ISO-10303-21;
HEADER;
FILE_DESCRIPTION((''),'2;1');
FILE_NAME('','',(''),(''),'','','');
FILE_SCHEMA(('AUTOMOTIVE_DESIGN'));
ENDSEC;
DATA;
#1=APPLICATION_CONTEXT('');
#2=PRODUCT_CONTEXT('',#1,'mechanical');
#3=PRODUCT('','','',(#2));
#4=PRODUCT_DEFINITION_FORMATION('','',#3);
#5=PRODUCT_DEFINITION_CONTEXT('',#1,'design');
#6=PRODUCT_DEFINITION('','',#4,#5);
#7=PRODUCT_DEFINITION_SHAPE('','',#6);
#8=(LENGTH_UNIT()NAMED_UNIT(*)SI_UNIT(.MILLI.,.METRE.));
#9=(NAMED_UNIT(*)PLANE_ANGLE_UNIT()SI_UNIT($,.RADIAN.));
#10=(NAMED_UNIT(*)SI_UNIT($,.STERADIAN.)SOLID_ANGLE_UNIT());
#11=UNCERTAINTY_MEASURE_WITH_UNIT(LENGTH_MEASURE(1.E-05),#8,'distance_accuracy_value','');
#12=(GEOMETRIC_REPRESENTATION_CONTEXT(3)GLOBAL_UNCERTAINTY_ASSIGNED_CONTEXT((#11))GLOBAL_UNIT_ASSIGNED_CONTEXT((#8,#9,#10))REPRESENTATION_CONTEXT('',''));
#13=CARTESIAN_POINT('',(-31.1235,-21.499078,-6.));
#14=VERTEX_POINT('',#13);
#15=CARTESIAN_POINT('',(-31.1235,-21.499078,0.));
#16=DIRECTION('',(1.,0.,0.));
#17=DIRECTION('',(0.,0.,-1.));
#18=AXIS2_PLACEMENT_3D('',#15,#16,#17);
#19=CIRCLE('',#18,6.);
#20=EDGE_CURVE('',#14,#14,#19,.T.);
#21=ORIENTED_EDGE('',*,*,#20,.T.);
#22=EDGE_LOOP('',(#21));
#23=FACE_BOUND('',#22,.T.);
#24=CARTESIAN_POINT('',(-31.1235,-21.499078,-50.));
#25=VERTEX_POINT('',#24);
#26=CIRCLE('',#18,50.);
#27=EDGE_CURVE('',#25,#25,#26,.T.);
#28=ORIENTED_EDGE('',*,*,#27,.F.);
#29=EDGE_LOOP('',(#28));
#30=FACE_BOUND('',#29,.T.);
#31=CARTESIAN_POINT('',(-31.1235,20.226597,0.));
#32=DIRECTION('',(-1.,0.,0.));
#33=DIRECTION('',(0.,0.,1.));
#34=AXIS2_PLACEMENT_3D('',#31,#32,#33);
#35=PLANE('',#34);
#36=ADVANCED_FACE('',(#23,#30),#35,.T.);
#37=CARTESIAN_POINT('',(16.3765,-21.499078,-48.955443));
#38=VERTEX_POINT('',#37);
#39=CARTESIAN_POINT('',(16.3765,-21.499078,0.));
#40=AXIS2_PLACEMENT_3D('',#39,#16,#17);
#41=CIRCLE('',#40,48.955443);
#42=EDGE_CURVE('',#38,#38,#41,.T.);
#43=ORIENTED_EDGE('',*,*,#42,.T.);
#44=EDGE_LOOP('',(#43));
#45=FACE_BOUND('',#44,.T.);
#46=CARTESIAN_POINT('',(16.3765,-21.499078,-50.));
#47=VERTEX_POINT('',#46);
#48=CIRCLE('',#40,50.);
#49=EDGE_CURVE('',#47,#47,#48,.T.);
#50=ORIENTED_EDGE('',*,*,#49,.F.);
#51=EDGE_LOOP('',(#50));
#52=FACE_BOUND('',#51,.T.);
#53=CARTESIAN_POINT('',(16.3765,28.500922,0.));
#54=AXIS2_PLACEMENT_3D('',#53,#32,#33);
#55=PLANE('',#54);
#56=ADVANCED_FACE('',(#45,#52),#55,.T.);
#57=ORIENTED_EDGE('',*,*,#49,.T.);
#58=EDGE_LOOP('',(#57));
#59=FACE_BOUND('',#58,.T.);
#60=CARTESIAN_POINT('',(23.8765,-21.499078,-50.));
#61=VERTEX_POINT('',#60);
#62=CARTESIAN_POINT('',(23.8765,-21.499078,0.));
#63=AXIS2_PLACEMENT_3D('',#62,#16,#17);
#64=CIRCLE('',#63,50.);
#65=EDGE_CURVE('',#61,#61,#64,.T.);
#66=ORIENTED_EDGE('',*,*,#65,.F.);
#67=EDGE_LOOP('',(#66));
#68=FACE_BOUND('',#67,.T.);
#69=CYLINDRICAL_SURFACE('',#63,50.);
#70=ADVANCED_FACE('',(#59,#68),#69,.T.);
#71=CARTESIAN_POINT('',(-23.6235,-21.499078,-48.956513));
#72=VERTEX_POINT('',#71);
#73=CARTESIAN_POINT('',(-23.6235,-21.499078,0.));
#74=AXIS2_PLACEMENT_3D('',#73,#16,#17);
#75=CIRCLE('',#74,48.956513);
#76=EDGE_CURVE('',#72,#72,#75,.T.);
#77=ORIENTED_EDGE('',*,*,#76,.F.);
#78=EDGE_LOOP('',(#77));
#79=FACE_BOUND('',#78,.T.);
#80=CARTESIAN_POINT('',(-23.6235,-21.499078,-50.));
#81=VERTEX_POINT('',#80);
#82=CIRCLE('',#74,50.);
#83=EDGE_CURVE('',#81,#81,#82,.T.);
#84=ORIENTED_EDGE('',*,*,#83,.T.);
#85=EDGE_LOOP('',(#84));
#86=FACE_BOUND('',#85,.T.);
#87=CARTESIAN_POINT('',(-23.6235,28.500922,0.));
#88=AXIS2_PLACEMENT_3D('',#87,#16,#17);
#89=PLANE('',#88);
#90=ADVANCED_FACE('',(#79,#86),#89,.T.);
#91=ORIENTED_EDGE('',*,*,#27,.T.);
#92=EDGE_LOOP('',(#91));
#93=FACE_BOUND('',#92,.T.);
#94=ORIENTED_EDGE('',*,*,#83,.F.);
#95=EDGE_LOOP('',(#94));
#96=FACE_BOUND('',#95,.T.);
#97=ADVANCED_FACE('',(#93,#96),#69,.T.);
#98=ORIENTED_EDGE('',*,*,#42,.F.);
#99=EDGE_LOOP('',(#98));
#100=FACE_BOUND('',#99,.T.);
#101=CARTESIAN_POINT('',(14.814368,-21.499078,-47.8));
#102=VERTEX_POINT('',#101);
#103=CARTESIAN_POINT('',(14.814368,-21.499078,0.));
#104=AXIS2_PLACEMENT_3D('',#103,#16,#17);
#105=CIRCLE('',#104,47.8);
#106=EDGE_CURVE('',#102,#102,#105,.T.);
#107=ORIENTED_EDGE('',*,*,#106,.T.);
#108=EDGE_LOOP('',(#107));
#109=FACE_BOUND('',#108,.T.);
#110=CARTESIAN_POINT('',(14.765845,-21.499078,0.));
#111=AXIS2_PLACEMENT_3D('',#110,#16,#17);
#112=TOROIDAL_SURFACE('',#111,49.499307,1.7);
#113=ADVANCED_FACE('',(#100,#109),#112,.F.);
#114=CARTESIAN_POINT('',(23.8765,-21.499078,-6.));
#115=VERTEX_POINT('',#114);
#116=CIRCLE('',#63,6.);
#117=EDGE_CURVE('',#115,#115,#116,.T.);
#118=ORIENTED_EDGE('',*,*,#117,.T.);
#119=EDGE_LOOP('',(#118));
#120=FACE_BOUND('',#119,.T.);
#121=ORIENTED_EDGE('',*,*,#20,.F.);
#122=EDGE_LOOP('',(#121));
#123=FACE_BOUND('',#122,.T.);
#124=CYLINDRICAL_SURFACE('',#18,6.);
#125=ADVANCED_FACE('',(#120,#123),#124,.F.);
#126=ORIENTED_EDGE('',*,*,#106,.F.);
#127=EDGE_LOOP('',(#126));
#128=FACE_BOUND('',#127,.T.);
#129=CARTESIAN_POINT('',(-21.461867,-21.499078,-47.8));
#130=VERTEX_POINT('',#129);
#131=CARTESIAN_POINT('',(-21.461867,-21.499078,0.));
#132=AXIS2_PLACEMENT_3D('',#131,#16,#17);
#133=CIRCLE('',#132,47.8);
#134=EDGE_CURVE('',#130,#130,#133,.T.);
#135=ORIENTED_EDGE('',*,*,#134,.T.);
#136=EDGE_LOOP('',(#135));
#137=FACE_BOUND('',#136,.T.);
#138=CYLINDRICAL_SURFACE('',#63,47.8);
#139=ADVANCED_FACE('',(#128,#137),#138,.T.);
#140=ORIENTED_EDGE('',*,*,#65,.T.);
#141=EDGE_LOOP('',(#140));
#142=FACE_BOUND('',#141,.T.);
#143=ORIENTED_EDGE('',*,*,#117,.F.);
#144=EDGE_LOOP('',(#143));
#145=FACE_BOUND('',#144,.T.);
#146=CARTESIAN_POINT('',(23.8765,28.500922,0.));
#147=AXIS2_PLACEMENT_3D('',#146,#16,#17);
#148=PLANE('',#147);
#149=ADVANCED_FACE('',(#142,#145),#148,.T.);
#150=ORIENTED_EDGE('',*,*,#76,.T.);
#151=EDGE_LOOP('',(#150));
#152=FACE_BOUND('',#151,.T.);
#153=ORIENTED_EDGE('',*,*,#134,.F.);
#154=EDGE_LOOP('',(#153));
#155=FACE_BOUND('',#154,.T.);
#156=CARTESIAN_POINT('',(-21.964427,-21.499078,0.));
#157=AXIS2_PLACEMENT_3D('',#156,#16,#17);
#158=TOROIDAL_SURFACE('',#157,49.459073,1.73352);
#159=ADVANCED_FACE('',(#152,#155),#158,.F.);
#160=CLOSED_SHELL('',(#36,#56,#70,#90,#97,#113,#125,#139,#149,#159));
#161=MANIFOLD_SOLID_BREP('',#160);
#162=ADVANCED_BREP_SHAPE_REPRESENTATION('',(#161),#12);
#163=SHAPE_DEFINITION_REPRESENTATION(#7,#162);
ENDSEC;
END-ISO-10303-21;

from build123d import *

# Parameters (mm, degrees)
SKETCH3_R          = 6
CUT_EXTRUDE1_DEPTH = 104.136405777


with BuildPart() as part:
    # Sketch1 → Revolve1 (revolve)
    with BuildSketch(Plane.XY, mode=Mode.PRIVATE) as revolve1_sk:
        with BuildLine():
            Line((23.876500295, 28.500921708), (23.876500295, -21.499078292))
            Line((23.876500295, -21.499078292), (19.38343903, -21.499078292))
            Line((19.38343903, -21.499078292), (-23.623499705, -21.499078292))
            Line((-23.623499705, -21.499078292), (-31.123499705, -21.499078292))
            Line((-31.123499705, -21.499078292), (-31.123499705, 20.226597036))
            Line((-31.123499705, 20.226597036), (-31.123499705, 28.500921708))
            Line((-31.123499705, 28.500921708), (-23.623499705, 28.500921708))
            Line((-23.623499705, 28.500921708), (-23.623499705, 27.45743453))
            ThreePointArc((-23.623499705, 27.45743453), (-22.782204784, 26.431489238), (-21.461866567, 26.300921708))
            Line((-21.461866567, 26.300921708), (-3.623499705, 26.300921708))
            Line((-3.623499705, 26.300921708), (14.814368071, 26.300921708))
            ThreePointArc((14.814368071, 26.300921708), (15.776775387, 26.633474133), (16.376500295, 27.456364765))
            Line((16.376500295, 27.456364765), (16.376500295, 28.500921708))
            Line((16.376500295, 28.500921708), (23.876500295, 28.500921708))
        make_face()
    revolve(revolve1_sk.sketch.rotate(Axis((23.876500295, -21.499078292, 0), (-1, 0, 0)), 90), axis=Axis((23.876500295, -21.499078292, 0), (-1, 0, 0)))

    # Sketch3 → Cut-Extrude1 (cut, through all)
    with BuildSketch(Plane(origin=(23.876500295, 0, 0), x_dir=(0, 0, -1), z_dir=(1, 0, 0))):
        with Locations((0, -21.499078292)):
            Circle(SKETCH3_R)
    extrude(amount=-CUT_EXTRUDE1_DEPTH, mode=Mode.SUBTRACT)


solid = part.part
